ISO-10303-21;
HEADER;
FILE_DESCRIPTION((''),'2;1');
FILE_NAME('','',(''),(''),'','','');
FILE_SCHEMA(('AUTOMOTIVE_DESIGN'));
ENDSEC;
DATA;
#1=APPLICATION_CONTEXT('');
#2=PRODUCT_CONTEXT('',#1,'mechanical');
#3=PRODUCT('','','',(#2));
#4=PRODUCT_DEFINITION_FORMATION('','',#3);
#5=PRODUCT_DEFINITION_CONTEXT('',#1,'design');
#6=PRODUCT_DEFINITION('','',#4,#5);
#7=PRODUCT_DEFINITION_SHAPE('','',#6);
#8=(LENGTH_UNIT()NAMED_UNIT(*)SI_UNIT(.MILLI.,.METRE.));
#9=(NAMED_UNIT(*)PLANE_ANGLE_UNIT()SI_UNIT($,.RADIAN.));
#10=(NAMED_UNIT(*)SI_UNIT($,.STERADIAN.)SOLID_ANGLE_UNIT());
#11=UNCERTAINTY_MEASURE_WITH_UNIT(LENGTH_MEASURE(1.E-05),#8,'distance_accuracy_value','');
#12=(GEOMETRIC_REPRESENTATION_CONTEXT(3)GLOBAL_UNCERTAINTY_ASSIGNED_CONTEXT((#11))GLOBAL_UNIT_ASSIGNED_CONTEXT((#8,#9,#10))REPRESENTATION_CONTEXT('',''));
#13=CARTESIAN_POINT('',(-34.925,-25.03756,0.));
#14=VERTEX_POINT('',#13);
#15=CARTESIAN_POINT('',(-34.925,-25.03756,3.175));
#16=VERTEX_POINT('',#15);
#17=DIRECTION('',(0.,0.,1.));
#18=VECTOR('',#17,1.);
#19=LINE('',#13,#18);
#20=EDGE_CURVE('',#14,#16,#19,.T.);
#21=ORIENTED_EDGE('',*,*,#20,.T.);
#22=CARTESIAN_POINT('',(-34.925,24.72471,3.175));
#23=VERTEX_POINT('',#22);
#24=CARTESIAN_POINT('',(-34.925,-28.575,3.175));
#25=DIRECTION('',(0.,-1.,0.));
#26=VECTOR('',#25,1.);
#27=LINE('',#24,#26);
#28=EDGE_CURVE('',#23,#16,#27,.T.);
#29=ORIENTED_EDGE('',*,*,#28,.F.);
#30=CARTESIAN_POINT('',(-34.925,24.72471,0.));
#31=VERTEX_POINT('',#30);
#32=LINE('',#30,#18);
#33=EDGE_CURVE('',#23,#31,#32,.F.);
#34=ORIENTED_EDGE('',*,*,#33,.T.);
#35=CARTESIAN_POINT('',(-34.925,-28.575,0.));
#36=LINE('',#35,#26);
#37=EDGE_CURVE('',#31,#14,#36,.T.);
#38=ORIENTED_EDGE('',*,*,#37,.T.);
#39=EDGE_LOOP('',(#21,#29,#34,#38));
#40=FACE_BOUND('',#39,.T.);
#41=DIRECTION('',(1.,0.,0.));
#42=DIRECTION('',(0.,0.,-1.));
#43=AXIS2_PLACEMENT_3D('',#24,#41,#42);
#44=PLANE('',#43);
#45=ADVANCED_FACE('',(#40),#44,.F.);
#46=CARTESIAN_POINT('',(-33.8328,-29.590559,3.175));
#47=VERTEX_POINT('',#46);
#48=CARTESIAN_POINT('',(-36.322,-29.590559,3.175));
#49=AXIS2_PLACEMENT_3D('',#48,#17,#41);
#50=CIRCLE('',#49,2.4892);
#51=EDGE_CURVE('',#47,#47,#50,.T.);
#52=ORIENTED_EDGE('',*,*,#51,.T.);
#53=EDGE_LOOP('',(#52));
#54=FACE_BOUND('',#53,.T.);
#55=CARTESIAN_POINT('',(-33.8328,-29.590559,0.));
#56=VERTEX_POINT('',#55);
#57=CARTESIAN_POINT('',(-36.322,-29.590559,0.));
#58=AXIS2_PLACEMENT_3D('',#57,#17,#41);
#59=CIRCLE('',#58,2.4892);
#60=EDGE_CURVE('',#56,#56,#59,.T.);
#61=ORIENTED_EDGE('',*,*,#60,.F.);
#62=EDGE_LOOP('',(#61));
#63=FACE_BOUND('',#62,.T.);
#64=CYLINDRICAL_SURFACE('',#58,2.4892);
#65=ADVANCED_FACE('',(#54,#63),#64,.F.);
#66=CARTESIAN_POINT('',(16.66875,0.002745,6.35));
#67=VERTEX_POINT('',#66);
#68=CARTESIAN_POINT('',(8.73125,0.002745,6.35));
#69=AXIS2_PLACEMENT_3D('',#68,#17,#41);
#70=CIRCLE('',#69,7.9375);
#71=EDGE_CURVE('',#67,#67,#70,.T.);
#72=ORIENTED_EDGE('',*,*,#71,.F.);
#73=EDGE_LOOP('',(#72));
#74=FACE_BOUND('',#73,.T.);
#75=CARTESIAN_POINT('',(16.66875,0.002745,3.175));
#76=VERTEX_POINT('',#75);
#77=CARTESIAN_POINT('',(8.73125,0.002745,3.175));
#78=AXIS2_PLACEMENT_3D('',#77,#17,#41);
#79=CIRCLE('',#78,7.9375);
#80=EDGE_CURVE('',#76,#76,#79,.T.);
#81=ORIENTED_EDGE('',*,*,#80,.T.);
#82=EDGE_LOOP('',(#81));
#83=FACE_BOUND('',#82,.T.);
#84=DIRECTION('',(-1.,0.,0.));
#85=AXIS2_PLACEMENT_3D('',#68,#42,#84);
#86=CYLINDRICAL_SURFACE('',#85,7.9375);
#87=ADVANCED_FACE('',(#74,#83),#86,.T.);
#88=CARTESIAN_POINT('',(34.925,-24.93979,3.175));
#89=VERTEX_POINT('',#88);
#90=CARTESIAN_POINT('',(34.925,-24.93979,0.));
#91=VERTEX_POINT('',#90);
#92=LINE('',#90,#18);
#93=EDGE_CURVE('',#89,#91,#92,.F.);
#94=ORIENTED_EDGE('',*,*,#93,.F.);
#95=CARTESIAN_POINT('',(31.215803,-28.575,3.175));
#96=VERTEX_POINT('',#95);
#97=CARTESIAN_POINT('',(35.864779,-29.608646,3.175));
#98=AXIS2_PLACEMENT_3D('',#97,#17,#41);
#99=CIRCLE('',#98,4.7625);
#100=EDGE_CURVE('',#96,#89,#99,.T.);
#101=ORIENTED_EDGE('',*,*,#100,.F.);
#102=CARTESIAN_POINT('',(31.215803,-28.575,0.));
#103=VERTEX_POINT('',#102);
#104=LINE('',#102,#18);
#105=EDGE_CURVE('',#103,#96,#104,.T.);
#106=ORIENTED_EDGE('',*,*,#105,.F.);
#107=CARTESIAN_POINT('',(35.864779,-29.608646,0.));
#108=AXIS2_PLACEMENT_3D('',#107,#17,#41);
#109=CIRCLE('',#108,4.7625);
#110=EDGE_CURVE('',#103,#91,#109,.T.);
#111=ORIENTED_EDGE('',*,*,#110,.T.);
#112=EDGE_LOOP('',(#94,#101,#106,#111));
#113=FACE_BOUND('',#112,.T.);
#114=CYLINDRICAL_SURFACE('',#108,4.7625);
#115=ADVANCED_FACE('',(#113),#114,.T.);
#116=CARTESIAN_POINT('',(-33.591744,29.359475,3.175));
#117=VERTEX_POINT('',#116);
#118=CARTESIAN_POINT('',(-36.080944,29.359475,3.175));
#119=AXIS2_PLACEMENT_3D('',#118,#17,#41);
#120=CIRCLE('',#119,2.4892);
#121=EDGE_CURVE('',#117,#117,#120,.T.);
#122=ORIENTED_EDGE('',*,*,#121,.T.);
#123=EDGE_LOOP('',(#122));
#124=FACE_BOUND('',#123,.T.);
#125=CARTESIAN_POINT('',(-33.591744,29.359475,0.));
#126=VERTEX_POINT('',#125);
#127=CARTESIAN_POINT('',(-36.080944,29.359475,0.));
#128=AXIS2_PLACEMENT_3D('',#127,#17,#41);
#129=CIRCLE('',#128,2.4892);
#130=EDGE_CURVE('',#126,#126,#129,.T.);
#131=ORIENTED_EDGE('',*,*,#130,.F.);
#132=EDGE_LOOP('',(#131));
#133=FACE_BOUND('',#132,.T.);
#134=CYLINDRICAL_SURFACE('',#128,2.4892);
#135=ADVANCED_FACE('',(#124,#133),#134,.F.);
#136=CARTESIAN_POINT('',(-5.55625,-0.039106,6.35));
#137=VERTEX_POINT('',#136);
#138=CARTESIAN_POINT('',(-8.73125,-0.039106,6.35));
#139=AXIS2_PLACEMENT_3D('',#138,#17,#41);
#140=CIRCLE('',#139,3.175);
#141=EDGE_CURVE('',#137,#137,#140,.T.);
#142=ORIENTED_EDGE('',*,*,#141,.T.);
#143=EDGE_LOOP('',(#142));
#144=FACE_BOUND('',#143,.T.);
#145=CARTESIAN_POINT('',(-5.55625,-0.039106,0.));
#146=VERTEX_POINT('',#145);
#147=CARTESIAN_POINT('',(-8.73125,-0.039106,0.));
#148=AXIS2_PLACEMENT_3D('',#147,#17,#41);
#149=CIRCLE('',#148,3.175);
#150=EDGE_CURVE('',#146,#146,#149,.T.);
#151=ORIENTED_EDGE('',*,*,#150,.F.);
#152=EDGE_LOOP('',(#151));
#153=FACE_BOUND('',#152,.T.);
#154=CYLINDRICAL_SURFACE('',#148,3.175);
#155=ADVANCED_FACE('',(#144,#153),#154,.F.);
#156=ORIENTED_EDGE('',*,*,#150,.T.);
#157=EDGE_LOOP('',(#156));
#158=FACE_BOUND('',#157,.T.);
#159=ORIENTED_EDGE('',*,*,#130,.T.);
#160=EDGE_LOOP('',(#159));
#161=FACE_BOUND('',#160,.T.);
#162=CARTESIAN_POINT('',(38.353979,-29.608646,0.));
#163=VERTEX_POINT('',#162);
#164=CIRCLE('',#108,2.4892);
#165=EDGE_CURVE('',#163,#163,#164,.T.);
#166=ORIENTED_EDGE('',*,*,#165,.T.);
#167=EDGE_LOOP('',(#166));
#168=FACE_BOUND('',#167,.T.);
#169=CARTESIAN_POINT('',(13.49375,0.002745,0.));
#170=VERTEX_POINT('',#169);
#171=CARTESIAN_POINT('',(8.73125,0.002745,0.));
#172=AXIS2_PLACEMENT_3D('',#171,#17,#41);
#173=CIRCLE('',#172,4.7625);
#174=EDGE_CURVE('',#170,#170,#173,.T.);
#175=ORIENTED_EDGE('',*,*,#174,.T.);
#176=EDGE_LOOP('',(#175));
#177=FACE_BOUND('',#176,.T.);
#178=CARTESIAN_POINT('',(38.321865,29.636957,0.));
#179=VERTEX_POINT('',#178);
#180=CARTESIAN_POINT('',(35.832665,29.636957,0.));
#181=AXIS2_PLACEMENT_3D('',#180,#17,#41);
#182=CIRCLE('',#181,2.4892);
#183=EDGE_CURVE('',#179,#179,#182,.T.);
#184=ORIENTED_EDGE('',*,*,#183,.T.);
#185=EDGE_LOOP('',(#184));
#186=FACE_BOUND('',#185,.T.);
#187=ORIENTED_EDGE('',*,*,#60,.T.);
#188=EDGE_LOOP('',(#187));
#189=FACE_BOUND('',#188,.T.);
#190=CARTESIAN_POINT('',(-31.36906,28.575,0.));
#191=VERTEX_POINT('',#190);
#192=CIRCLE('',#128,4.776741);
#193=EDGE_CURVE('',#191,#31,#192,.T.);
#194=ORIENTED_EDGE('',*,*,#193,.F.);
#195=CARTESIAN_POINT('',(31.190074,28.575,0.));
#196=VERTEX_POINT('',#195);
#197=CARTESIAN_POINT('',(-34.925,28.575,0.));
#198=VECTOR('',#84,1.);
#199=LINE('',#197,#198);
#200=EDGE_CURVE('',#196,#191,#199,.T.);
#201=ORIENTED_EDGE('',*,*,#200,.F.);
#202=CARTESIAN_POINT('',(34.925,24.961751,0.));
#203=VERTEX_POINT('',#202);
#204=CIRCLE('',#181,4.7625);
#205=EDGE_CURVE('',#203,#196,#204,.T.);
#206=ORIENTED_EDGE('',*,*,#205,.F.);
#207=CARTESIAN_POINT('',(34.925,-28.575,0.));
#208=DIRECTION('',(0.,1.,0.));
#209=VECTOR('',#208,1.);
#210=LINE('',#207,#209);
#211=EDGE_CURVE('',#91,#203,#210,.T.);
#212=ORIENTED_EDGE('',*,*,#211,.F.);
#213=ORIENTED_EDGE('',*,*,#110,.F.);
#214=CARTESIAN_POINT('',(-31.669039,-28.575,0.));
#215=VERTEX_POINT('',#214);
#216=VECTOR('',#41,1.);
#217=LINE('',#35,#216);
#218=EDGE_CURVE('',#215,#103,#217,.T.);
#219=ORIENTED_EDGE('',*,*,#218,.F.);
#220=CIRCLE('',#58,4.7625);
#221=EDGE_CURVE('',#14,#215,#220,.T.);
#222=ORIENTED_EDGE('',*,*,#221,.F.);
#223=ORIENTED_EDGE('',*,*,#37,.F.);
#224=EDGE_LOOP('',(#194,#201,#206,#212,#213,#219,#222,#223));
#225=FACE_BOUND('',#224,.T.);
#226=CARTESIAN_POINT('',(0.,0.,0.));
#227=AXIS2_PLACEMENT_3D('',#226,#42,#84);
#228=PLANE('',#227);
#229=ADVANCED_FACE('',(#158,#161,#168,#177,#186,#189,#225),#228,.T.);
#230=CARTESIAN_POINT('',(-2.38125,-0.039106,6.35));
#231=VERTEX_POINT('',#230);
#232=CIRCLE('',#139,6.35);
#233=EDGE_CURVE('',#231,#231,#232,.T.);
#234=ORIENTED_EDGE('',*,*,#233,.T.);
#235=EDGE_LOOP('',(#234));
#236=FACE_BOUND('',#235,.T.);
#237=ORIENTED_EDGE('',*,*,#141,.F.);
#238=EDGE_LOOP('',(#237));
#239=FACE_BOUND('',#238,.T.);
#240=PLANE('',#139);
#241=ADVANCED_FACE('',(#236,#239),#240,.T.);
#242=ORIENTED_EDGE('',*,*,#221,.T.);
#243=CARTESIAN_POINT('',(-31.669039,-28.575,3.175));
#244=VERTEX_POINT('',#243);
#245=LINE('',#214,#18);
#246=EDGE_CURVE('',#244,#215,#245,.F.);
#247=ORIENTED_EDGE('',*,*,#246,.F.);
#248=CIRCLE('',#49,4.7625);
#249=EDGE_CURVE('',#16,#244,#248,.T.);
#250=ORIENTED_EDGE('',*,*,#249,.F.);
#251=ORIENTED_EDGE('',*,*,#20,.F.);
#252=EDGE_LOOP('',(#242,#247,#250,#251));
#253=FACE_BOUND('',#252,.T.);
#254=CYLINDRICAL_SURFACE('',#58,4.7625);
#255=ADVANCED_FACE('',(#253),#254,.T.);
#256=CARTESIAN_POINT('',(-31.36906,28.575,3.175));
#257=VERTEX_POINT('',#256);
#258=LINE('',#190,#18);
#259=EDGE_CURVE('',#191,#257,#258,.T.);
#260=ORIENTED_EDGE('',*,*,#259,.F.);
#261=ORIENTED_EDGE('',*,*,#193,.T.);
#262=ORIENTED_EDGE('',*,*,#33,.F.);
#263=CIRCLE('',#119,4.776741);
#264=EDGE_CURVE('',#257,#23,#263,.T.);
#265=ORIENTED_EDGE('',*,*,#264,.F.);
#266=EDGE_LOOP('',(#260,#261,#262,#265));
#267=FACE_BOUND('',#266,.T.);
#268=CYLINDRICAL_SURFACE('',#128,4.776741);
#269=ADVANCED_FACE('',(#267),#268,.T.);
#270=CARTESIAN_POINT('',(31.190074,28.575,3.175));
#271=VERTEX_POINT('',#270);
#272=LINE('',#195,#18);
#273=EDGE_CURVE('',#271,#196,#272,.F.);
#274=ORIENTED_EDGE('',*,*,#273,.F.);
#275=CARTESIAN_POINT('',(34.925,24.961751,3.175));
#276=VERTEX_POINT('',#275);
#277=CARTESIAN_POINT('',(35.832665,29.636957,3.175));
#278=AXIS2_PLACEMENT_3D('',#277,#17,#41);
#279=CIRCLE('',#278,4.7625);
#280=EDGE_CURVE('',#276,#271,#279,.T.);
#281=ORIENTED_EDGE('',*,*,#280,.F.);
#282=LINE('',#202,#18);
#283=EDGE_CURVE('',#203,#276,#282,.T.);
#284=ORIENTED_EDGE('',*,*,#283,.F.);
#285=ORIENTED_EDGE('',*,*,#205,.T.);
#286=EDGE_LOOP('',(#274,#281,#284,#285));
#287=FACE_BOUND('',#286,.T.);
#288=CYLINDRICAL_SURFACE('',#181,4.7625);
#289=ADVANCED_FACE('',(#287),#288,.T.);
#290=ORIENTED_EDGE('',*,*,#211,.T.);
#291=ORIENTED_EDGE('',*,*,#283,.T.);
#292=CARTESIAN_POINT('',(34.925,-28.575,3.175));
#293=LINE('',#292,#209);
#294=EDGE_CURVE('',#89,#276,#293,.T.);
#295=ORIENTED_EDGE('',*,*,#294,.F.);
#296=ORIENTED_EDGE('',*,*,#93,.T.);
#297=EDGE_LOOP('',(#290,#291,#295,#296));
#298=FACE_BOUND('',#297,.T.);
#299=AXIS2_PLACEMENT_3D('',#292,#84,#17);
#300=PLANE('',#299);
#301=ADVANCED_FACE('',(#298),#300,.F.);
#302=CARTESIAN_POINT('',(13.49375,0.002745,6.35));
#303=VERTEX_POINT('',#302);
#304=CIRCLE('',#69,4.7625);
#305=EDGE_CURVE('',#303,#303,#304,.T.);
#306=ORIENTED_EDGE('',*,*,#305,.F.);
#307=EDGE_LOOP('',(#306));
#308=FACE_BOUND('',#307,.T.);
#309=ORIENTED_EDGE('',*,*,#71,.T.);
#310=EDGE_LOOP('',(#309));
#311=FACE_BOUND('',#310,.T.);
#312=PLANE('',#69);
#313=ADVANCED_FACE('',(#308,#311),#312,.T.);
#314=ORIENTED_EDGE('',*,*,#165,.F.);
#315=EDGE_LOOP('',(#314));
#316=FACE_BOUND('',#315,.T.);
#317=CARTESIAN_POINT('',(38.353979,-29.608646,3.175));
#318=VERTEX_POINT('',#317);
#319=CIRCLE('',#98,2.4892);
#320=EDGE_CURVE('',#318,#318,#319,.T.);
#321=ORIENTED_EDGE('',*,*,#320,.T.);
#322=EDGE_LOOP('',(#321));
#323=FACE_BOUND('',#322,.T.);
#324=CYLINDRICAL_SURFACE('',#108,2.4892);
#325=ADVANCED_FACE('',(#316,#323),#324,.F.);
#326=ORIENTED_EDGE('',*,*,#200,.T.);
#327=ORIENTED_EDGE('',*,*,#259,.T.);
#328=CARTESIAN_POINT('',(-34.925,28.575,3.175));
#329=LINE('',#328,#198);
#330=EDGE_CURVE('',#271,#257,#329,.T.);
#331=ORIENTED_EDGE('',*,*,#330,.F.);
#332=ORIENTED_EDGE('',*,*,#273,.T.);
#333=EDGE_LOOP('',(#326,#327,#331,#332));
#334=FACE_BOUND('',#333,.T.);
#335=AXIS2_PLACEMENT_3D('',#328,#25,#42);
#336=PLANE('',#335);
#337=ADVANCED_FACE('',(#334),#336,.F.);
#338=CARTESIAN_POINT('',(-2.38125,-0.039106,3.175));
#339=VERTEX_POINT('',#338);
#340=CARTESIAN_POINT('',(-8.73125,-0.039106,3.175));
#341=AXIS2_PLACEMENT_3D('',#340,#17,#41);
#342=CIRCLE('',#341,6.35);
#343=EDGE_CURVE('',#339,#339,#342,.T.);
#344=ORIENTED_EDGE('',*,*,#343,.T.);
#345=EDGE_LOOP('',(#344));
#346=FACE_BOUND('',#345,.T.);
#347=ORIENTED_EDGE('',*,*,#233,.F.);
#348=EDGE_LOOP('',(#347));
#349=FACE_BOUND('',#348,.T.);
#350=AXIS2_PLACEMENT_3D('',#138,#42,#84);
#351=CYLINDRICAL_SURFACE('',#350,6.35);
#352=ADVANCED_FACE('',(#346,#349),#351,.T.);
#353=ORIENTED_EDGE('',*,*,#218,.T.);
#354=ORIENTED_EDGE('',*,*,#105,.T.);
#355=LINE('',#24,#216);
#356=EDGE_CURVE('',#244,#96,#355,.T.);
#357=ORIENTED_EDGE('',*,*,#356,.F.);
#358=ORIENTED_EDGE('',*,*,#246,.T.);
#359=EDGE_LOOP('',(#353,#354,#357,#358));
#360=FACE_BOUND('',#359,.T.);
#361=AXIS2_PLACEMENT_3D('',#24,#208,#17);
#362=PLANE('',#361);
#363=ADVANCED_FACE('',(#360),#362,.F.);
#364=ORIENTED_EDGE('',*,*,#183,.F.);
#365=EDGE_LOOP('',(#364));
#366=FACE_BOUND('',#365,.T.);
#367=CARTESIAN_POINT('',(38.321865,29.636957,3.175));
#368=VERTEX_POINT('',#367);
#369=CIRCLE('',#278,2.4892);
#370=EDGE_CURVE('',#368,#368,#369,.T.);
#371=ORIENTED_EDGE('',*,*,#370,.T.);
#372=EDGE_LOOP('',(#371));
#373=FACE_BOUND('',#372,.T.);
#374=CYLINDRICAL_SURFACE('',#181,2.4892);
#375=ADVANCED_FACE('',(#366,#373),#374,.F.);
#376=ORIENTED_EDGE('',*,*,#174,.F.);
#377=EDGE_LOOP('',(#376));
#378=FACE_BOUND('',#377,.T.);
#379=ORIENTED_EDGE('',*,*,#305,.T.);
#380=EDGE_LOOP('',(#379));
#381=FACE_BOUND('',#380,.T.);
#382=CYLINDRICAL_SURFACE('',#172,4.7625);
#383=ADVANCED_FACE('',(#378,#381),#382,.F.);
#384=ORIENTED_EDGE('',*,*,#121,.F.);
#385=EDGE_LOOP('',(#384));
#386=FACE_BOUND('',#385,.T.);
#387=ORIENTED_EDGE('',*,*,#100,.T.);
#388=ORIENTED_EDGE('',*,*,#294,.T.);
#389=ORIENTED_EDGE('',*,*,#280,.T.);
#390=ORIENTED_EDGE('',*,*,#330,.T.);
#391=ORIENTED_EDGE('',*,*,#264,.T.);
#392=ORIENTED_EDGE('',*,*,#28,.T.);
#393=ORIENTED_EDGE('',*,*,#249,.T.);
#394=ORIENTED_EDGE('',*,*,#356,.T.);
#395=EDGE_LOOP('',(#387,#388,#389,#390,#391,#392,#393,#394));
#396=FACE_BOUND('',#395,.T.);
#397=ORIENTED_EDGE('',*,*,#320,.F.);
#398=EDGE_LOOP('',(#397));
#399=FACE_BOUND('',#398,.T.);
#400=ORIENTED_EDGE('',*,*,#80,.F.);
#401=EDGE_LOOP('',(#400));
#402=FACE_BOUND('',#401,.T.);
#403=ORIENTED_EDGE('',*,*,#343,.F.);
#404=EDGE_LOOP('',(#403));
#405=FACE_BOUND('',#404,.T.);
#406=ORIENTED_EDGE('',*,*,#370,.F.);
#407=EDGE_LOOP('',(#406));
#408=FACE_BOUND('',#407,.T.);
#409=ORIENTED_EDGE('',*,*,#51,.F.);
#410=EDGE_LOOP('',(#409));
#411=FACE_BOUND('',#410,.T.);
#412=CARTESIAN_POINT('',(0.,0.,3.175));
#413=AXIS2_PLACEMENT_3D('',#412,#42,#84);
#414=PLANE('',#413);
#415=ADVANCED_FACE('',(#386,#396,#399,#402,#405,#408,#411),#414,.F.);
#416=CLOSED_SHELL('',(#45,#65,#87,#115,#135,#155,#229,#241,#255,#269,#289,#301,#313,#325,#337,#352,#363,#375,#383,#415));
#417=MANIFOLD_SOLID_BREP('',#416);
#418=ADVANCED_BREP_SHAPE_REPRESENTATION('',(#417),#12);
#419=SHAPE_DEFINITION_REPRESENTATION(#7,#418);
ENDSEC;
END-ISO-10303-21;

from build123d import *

# Parameters (mm, degrees)
SKETCH1_W           = 69.85
SKETCH1_H           = 57.15
BOSS_EXTRUDE1_DEPTH = 3.175
SKETCH2_R           = 4.776740808
SKETCH2_R_2         = 4.7625
BOSS_EXTRUDE2_DEPTH = 3.175
SKETCH3_R           = 2.4892
CUT_EXTRUDE1_DEPTH  = 54.678109207
SKETCH4_R           = 3.175
SKETCH4_R_2         = 4.7625
CUT_EXTRUDE2_DEPTH  = 54.678109207
SKETCH5_R           = 6.35
SKETCH5_R_2         = 7.9375
BOSS_EXTRUDE3_DEPTH = 3.175
SKETCH6_R           = 4.7625
SKETCH6_R_2         = 3.175
CUT_EXTRUDE3_DEPTH  = 54.959070443


with BuildPart() as part:
    # Sketch1 → Boss-Extrude1 (new body)
    with BuildSketch(Plane.XY):
        Rectangle(SKETCH1_W, SKETCH1_H)
    extrude(amount=BOSS_EXTRUDE1_DEPTH)

    # Sketch2 → Boss-Extrude2 (add)
    with BuildSketch(Plane.XY.offset(3.175)):
        with Locations((-36.080944449, 29.359475258)):
            Circle(SKETCH2_R)
        with Locations((35.832665303, 29.636957013)):
            Circle(SKETCH2_R_2)
        with Locations((35.864779118, -29.608646076)):
            Circle(SKETCH2_R_2)
        with Locations((-36.322, -29.590559194)):
            Circle(SKETCH2_R_2)
    extrude(amount=-BOSS_EXTRUDE2_DEPTH)

    # Sketch3 → Cut-Extrude1 (cut, through all)
    with BuildSketch(Plane.XY.offset(3.175)):
        with Locations((-36.080944449, 29.359475258)):
            Circle(SKETCH3_R)
        with Locations((35.832665303, 29.636957013)):
            Circle(SKETCH3_R)
        with Locations((35.864779118, -29.608646076)):
            Circle(SKETCH3_R)
        with Locations((-36.322, -29.590559194)):
            Circle(SKETCH3_R)
    extrude(amount=-CUT_EXTRUDE1_DEPTH, mode=Mode.SUBTRACT)

    # Sketch4 → Cut-Extrude2 (cut, through all)
    with BuildSketch(Plane.XY.offset(3.175)):
        with Locations((-8.73125, -0.039106259)):
            Circle(SKETCH4_R)
        with Locations((8.73125, 0.002745202)):
            Circle(SKETCH4_R_2)
    extrude(amount=-CUT_EXTRUDE2_DEPTH, mode=Mode.SUBTRACT)

    # Sketch5 → Boss-Extrude3 (add)
    with BuildSketch(Plane.XY.offset(3.175)):
        with Locations((-8.73125, -0.039106259)):
            Circle(SKETCH5_R)
        with Locations((8.73125, 0.002745202)):
            Circle(SKETCH5_R_2)
    extrude(amount=BOSS_EXTRUDE3_DEPTH)

    # Sketch6 → Cut-Extrude3 (cut, through all)
    with BuildSketch(Plane.XY.offset(6.35)):
        with Locations((8.73125, 0.002745202)):
            Circle(SKETCH6_R)
        with Locations((-8.73125, -0.039106259)):
            Circle(SKETCH6_R_2)
    extrude(amount=-CUT_EXTRUDE3_DEPTH, mode=Mode.SUBTRACT)


solid = part.part
